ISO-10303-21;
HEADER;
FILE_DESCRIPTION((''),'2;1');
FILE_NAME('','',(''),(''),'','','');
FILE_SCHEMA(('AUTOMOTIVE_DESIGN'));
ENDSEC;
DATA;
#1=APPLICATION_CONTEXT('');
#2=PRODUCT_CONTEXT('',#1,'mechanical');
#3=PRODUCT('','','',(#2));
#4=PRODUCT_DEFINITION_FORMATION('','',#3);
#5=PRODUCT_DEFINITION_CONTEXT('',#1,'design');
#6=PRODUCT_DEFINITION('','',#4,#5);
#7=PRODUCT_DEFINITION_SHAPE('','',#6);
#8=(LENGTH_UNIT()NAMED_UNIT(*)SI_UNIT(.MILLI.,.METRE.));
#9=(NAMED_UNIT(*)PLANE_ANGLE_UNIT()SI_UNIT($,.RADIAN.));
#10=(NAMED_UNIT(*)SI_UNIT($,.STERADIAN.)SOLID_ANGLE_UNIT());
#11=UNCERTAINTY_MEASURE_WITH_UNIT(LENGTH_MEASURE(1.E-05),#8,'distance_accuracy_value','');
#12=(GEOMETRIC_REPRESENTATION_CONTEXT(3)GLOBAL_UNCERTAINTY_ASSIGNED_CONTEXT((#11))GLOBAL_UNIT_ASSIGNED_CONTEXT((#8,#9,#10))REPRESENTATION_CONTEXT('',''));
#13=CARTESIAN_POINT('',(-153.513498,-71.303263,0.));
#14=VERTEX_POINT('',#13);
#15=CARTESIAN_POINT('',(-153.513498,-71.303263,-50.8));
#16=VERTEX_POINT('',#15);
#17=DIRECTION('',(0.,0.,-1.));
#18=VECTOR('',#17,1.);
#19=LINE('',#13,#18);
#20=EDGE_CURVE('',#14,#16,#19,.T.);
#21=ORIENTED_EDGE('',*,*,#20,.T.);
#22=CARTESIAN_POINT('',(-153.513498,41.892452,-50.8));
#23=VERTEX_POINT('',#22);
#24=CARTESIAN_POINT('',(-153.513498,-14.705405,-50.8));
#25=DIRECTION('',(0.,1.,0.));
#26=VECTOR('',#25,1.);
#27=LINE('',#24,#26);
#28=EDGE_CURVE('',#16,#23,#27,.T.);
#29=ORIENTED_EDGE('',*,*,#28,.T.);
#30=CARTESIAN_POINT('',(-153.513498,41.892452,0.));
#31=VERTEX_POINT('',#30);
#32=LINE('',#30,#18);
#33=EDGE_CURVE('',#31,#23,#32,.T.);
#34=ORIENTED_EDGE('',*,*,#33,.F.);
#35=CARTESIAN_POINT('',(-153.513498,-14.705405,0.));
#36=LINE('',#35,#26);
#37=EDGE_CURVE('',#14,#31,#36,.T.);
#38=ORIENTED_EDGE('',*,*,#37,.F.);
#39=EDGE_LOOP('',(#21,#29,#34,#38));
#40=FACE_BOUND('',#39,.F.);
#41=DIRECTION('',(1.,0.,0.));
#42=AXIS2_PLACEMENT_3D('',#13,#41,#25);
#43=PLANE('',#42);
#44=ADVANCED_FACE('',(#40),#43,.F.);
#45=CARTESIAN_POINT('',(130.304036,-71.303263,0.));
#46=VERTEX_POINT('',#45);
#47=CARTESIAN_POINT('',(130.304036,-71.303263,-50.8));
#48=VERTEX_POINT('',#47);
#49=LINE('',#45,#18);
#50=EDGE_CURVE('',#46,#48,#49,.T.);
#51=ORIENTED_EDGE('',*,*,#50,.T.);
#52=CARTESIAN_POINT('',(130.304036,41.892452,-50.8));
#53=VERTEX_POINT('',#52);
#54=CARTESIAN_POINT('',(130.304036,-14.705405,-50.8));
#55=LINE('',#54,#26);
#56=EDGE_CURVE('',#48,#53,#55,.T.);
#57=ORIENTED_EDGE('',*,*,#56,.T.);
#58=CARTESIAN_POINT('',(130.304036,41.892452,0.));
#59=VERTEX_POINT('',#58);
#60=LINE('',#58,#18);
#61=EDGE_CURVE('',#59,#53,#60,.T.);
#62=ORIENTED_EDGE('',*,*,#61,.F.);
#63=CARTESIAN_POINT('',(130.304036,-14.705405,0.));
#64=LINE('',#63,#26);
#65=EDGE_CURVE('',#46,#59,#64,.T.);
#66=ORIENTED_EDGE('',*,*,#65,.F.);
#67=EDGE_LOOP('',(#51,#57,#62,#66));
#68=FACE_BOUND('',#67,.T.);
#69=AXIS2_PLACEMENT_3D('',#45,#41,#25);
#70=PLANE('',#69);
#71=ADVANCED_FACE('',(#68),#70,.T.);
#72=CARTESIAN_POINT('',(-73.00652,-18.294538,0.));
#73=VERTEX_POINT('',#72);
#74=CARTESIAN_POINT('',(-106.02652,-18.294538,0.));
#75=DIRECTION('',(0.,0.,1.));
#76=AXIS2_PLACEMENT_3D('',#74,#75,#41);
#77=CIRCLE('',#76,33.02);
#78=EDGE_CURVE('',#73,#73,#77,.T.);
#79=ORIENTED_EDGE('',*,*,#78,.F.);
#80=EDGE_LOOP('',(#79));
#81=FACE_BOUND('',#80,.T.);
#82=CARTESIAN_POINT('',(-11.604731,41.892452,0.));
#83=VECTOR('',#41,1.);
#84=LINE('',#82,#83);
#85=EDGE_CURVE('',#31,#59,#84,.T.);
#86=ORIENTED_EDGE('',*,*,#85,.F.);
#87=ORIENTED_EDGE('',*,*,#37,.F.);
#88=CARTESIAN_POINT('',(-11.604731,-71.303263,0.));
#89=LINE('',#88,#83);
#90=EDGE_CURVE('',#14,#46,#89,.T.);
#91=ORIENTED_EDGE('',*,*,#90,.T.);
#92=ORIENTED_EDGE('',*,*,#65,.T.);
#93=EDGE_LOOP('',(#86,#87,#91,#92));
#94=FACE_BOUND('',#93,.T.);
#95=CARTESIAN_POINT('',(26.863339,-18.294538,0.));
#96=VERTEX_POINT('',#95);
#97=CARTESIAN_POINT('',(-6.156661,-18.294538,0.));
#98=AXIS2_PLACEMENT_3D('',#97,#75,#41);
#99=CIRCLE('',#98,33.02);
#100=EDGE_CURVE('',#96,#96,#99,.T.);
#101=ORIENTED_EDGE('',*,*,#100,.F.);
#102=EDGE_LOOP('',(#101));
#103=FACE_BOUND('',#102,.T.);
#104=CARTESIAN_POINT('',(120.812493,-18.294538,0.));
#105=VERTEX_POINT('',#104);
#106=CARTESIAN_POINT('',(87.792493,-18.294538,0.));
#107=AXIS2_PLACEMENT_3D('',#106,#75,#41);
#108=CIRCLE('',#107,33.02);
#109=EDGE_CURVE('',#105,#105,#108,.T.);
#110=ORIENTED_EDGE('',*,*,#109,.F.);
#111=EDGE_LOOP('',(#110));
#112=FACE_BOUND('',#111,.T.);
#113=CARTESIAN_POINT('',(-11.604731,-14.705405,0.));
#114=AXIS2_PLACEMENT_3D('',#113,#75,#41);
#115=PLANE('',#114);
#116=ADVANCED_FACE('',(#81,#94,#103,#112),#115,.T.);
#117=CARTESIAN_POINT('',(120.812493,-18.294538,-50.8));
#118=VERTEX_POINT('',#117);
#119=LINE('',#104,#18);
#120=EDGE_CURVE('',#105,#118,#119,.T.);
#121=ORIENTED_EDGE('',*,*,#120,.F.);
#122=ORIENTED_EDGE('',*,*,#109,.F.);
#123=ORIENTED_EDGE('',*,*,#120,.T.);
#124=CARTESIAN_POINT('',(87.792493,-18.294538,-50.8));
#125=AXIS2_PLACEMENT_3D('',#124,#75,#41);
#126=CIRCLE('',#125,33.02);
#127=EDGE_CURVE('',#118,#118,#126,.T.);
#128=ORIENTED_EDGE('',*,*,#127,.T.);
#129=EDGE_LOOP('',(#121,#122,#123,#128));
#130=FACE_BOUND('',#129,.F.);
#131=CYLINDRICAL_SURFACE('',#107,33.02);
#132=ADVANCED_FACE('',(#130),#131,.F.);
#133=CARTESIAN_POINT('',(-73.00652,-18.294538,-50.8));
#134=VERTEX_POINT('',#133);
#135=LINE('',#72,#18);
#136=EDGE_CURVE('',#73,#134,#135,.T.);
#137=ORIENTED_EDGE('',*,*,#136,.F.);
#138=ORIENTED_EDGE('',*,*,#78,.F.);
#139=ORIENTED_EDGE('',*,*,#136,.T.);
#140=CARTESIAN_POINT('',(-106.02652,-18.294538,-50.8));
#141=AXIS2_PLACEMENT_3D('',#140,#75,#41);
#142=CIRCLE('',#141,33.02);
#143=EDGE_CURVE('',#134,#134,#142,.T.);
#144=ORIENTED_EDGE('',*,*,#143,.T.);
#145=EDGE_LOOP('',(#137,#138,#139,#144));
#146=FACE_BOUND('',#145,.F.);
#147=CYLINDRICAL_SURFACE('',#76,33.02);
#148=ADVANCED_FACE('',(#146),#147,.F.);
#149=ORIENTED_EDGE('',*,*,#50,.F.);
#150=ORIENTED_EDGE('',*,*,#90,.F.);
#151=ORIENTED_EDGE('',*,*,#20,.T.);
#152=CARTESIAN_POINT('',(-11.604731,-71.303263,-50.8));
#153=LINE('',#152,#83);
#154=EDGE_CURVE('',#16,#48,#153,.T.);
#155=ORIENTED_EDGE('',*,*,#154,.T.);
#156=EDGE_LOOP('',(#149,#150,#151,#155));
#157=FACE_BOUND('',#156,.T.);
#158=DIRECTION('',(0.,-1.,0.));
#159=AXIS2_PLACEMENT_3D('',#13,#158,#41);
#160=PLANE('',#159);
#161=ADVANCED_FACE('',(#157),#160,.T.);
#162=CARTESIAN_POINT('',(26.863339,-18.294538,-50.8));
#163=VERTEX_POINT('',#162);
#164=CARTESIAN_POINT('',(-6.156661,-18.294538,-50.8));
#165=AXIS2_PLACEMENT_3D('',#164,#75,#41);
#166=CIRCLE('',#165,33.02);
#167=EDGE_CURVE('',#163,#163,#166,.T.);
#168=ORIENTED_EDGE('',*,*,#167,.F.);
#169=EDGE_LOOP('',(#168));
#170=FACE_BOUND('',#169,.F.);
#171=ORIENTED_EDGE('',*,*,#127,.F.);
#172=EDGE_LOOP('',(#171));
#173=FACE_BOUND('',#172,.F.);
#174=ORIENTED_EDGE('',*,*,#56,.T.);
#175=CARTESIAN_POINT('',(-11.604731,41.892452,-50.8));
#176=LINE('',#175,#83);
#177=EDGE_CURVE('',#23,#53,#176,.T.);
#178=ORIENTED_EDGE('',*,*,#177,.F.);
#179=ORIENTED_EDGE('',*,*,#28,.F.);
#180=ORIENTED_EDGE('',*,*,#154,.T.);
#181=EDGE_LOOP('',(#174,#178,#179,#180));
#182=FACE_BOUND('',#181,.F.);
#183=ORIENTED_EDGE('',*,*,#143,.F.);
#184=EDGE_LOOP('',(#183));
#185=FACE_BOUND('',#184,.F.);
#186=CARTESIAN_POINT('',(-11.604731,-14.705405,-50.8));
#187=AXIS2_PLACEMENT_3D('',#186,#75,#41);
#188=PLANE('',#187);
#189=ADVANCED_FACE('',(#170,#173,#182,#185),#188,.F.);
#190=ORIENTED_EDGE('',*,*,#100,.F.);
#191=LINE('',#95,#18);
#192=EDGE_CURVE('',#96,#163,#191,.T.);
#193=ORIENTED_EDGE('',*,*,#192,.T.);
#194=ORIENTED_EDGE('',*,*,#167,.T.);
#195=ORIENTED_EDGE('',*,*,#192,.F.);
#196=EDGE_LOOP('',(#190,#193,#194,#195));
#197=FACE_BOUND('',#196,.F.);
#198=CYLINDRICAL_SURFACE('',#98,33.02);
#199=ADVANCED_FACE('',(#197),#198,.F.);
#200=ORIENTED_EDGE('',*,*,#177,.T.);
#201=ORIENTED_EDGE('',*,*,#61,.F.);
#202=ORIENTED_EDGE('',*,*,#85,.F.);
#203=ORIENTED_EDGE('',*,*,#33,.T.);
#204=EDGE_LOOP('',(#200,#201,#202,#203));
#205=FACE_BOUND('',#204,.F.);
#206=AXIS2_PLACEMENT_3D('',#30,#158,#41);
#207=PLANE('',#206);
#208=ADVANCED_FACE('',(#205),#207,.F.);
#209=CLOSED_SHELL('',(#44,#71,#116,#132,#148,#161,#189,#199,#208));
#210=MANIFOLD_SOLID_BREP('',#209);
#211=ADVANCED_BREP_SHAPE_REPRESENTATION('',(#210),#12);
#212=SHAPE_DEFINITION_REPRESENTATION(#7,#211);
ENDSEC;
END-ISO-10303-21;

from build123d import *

# Parameters (mm, degrees)
F0_W     = 283.817534
F0_H     = 113.195715
F0_R     = 33.02
F1_DEPTH = 50.8


with BuildPart() as f1:
    # F0 (on Top) → F1 (new body)
    with BuildSketch(Plane.XY):
        with Locations((-11.604731, -14.705405)):
            Rectangle(F0_W, F0_H)
        with Locations((-106.02652, -18.294538)):
            Circle(F0_R, mode=Mode.SUBTRACT)
        with Locations((-6.156661, -18.294538)):
            Circle(F0_R, mode=Mode.SUBTRACT)
        with Locations((87.792493, -18.294538)):
            Circle(F0_R, mode=Mode.SUBTRACT)
    extrude(amount=-F1_DEPTH)


solid = f1.part
